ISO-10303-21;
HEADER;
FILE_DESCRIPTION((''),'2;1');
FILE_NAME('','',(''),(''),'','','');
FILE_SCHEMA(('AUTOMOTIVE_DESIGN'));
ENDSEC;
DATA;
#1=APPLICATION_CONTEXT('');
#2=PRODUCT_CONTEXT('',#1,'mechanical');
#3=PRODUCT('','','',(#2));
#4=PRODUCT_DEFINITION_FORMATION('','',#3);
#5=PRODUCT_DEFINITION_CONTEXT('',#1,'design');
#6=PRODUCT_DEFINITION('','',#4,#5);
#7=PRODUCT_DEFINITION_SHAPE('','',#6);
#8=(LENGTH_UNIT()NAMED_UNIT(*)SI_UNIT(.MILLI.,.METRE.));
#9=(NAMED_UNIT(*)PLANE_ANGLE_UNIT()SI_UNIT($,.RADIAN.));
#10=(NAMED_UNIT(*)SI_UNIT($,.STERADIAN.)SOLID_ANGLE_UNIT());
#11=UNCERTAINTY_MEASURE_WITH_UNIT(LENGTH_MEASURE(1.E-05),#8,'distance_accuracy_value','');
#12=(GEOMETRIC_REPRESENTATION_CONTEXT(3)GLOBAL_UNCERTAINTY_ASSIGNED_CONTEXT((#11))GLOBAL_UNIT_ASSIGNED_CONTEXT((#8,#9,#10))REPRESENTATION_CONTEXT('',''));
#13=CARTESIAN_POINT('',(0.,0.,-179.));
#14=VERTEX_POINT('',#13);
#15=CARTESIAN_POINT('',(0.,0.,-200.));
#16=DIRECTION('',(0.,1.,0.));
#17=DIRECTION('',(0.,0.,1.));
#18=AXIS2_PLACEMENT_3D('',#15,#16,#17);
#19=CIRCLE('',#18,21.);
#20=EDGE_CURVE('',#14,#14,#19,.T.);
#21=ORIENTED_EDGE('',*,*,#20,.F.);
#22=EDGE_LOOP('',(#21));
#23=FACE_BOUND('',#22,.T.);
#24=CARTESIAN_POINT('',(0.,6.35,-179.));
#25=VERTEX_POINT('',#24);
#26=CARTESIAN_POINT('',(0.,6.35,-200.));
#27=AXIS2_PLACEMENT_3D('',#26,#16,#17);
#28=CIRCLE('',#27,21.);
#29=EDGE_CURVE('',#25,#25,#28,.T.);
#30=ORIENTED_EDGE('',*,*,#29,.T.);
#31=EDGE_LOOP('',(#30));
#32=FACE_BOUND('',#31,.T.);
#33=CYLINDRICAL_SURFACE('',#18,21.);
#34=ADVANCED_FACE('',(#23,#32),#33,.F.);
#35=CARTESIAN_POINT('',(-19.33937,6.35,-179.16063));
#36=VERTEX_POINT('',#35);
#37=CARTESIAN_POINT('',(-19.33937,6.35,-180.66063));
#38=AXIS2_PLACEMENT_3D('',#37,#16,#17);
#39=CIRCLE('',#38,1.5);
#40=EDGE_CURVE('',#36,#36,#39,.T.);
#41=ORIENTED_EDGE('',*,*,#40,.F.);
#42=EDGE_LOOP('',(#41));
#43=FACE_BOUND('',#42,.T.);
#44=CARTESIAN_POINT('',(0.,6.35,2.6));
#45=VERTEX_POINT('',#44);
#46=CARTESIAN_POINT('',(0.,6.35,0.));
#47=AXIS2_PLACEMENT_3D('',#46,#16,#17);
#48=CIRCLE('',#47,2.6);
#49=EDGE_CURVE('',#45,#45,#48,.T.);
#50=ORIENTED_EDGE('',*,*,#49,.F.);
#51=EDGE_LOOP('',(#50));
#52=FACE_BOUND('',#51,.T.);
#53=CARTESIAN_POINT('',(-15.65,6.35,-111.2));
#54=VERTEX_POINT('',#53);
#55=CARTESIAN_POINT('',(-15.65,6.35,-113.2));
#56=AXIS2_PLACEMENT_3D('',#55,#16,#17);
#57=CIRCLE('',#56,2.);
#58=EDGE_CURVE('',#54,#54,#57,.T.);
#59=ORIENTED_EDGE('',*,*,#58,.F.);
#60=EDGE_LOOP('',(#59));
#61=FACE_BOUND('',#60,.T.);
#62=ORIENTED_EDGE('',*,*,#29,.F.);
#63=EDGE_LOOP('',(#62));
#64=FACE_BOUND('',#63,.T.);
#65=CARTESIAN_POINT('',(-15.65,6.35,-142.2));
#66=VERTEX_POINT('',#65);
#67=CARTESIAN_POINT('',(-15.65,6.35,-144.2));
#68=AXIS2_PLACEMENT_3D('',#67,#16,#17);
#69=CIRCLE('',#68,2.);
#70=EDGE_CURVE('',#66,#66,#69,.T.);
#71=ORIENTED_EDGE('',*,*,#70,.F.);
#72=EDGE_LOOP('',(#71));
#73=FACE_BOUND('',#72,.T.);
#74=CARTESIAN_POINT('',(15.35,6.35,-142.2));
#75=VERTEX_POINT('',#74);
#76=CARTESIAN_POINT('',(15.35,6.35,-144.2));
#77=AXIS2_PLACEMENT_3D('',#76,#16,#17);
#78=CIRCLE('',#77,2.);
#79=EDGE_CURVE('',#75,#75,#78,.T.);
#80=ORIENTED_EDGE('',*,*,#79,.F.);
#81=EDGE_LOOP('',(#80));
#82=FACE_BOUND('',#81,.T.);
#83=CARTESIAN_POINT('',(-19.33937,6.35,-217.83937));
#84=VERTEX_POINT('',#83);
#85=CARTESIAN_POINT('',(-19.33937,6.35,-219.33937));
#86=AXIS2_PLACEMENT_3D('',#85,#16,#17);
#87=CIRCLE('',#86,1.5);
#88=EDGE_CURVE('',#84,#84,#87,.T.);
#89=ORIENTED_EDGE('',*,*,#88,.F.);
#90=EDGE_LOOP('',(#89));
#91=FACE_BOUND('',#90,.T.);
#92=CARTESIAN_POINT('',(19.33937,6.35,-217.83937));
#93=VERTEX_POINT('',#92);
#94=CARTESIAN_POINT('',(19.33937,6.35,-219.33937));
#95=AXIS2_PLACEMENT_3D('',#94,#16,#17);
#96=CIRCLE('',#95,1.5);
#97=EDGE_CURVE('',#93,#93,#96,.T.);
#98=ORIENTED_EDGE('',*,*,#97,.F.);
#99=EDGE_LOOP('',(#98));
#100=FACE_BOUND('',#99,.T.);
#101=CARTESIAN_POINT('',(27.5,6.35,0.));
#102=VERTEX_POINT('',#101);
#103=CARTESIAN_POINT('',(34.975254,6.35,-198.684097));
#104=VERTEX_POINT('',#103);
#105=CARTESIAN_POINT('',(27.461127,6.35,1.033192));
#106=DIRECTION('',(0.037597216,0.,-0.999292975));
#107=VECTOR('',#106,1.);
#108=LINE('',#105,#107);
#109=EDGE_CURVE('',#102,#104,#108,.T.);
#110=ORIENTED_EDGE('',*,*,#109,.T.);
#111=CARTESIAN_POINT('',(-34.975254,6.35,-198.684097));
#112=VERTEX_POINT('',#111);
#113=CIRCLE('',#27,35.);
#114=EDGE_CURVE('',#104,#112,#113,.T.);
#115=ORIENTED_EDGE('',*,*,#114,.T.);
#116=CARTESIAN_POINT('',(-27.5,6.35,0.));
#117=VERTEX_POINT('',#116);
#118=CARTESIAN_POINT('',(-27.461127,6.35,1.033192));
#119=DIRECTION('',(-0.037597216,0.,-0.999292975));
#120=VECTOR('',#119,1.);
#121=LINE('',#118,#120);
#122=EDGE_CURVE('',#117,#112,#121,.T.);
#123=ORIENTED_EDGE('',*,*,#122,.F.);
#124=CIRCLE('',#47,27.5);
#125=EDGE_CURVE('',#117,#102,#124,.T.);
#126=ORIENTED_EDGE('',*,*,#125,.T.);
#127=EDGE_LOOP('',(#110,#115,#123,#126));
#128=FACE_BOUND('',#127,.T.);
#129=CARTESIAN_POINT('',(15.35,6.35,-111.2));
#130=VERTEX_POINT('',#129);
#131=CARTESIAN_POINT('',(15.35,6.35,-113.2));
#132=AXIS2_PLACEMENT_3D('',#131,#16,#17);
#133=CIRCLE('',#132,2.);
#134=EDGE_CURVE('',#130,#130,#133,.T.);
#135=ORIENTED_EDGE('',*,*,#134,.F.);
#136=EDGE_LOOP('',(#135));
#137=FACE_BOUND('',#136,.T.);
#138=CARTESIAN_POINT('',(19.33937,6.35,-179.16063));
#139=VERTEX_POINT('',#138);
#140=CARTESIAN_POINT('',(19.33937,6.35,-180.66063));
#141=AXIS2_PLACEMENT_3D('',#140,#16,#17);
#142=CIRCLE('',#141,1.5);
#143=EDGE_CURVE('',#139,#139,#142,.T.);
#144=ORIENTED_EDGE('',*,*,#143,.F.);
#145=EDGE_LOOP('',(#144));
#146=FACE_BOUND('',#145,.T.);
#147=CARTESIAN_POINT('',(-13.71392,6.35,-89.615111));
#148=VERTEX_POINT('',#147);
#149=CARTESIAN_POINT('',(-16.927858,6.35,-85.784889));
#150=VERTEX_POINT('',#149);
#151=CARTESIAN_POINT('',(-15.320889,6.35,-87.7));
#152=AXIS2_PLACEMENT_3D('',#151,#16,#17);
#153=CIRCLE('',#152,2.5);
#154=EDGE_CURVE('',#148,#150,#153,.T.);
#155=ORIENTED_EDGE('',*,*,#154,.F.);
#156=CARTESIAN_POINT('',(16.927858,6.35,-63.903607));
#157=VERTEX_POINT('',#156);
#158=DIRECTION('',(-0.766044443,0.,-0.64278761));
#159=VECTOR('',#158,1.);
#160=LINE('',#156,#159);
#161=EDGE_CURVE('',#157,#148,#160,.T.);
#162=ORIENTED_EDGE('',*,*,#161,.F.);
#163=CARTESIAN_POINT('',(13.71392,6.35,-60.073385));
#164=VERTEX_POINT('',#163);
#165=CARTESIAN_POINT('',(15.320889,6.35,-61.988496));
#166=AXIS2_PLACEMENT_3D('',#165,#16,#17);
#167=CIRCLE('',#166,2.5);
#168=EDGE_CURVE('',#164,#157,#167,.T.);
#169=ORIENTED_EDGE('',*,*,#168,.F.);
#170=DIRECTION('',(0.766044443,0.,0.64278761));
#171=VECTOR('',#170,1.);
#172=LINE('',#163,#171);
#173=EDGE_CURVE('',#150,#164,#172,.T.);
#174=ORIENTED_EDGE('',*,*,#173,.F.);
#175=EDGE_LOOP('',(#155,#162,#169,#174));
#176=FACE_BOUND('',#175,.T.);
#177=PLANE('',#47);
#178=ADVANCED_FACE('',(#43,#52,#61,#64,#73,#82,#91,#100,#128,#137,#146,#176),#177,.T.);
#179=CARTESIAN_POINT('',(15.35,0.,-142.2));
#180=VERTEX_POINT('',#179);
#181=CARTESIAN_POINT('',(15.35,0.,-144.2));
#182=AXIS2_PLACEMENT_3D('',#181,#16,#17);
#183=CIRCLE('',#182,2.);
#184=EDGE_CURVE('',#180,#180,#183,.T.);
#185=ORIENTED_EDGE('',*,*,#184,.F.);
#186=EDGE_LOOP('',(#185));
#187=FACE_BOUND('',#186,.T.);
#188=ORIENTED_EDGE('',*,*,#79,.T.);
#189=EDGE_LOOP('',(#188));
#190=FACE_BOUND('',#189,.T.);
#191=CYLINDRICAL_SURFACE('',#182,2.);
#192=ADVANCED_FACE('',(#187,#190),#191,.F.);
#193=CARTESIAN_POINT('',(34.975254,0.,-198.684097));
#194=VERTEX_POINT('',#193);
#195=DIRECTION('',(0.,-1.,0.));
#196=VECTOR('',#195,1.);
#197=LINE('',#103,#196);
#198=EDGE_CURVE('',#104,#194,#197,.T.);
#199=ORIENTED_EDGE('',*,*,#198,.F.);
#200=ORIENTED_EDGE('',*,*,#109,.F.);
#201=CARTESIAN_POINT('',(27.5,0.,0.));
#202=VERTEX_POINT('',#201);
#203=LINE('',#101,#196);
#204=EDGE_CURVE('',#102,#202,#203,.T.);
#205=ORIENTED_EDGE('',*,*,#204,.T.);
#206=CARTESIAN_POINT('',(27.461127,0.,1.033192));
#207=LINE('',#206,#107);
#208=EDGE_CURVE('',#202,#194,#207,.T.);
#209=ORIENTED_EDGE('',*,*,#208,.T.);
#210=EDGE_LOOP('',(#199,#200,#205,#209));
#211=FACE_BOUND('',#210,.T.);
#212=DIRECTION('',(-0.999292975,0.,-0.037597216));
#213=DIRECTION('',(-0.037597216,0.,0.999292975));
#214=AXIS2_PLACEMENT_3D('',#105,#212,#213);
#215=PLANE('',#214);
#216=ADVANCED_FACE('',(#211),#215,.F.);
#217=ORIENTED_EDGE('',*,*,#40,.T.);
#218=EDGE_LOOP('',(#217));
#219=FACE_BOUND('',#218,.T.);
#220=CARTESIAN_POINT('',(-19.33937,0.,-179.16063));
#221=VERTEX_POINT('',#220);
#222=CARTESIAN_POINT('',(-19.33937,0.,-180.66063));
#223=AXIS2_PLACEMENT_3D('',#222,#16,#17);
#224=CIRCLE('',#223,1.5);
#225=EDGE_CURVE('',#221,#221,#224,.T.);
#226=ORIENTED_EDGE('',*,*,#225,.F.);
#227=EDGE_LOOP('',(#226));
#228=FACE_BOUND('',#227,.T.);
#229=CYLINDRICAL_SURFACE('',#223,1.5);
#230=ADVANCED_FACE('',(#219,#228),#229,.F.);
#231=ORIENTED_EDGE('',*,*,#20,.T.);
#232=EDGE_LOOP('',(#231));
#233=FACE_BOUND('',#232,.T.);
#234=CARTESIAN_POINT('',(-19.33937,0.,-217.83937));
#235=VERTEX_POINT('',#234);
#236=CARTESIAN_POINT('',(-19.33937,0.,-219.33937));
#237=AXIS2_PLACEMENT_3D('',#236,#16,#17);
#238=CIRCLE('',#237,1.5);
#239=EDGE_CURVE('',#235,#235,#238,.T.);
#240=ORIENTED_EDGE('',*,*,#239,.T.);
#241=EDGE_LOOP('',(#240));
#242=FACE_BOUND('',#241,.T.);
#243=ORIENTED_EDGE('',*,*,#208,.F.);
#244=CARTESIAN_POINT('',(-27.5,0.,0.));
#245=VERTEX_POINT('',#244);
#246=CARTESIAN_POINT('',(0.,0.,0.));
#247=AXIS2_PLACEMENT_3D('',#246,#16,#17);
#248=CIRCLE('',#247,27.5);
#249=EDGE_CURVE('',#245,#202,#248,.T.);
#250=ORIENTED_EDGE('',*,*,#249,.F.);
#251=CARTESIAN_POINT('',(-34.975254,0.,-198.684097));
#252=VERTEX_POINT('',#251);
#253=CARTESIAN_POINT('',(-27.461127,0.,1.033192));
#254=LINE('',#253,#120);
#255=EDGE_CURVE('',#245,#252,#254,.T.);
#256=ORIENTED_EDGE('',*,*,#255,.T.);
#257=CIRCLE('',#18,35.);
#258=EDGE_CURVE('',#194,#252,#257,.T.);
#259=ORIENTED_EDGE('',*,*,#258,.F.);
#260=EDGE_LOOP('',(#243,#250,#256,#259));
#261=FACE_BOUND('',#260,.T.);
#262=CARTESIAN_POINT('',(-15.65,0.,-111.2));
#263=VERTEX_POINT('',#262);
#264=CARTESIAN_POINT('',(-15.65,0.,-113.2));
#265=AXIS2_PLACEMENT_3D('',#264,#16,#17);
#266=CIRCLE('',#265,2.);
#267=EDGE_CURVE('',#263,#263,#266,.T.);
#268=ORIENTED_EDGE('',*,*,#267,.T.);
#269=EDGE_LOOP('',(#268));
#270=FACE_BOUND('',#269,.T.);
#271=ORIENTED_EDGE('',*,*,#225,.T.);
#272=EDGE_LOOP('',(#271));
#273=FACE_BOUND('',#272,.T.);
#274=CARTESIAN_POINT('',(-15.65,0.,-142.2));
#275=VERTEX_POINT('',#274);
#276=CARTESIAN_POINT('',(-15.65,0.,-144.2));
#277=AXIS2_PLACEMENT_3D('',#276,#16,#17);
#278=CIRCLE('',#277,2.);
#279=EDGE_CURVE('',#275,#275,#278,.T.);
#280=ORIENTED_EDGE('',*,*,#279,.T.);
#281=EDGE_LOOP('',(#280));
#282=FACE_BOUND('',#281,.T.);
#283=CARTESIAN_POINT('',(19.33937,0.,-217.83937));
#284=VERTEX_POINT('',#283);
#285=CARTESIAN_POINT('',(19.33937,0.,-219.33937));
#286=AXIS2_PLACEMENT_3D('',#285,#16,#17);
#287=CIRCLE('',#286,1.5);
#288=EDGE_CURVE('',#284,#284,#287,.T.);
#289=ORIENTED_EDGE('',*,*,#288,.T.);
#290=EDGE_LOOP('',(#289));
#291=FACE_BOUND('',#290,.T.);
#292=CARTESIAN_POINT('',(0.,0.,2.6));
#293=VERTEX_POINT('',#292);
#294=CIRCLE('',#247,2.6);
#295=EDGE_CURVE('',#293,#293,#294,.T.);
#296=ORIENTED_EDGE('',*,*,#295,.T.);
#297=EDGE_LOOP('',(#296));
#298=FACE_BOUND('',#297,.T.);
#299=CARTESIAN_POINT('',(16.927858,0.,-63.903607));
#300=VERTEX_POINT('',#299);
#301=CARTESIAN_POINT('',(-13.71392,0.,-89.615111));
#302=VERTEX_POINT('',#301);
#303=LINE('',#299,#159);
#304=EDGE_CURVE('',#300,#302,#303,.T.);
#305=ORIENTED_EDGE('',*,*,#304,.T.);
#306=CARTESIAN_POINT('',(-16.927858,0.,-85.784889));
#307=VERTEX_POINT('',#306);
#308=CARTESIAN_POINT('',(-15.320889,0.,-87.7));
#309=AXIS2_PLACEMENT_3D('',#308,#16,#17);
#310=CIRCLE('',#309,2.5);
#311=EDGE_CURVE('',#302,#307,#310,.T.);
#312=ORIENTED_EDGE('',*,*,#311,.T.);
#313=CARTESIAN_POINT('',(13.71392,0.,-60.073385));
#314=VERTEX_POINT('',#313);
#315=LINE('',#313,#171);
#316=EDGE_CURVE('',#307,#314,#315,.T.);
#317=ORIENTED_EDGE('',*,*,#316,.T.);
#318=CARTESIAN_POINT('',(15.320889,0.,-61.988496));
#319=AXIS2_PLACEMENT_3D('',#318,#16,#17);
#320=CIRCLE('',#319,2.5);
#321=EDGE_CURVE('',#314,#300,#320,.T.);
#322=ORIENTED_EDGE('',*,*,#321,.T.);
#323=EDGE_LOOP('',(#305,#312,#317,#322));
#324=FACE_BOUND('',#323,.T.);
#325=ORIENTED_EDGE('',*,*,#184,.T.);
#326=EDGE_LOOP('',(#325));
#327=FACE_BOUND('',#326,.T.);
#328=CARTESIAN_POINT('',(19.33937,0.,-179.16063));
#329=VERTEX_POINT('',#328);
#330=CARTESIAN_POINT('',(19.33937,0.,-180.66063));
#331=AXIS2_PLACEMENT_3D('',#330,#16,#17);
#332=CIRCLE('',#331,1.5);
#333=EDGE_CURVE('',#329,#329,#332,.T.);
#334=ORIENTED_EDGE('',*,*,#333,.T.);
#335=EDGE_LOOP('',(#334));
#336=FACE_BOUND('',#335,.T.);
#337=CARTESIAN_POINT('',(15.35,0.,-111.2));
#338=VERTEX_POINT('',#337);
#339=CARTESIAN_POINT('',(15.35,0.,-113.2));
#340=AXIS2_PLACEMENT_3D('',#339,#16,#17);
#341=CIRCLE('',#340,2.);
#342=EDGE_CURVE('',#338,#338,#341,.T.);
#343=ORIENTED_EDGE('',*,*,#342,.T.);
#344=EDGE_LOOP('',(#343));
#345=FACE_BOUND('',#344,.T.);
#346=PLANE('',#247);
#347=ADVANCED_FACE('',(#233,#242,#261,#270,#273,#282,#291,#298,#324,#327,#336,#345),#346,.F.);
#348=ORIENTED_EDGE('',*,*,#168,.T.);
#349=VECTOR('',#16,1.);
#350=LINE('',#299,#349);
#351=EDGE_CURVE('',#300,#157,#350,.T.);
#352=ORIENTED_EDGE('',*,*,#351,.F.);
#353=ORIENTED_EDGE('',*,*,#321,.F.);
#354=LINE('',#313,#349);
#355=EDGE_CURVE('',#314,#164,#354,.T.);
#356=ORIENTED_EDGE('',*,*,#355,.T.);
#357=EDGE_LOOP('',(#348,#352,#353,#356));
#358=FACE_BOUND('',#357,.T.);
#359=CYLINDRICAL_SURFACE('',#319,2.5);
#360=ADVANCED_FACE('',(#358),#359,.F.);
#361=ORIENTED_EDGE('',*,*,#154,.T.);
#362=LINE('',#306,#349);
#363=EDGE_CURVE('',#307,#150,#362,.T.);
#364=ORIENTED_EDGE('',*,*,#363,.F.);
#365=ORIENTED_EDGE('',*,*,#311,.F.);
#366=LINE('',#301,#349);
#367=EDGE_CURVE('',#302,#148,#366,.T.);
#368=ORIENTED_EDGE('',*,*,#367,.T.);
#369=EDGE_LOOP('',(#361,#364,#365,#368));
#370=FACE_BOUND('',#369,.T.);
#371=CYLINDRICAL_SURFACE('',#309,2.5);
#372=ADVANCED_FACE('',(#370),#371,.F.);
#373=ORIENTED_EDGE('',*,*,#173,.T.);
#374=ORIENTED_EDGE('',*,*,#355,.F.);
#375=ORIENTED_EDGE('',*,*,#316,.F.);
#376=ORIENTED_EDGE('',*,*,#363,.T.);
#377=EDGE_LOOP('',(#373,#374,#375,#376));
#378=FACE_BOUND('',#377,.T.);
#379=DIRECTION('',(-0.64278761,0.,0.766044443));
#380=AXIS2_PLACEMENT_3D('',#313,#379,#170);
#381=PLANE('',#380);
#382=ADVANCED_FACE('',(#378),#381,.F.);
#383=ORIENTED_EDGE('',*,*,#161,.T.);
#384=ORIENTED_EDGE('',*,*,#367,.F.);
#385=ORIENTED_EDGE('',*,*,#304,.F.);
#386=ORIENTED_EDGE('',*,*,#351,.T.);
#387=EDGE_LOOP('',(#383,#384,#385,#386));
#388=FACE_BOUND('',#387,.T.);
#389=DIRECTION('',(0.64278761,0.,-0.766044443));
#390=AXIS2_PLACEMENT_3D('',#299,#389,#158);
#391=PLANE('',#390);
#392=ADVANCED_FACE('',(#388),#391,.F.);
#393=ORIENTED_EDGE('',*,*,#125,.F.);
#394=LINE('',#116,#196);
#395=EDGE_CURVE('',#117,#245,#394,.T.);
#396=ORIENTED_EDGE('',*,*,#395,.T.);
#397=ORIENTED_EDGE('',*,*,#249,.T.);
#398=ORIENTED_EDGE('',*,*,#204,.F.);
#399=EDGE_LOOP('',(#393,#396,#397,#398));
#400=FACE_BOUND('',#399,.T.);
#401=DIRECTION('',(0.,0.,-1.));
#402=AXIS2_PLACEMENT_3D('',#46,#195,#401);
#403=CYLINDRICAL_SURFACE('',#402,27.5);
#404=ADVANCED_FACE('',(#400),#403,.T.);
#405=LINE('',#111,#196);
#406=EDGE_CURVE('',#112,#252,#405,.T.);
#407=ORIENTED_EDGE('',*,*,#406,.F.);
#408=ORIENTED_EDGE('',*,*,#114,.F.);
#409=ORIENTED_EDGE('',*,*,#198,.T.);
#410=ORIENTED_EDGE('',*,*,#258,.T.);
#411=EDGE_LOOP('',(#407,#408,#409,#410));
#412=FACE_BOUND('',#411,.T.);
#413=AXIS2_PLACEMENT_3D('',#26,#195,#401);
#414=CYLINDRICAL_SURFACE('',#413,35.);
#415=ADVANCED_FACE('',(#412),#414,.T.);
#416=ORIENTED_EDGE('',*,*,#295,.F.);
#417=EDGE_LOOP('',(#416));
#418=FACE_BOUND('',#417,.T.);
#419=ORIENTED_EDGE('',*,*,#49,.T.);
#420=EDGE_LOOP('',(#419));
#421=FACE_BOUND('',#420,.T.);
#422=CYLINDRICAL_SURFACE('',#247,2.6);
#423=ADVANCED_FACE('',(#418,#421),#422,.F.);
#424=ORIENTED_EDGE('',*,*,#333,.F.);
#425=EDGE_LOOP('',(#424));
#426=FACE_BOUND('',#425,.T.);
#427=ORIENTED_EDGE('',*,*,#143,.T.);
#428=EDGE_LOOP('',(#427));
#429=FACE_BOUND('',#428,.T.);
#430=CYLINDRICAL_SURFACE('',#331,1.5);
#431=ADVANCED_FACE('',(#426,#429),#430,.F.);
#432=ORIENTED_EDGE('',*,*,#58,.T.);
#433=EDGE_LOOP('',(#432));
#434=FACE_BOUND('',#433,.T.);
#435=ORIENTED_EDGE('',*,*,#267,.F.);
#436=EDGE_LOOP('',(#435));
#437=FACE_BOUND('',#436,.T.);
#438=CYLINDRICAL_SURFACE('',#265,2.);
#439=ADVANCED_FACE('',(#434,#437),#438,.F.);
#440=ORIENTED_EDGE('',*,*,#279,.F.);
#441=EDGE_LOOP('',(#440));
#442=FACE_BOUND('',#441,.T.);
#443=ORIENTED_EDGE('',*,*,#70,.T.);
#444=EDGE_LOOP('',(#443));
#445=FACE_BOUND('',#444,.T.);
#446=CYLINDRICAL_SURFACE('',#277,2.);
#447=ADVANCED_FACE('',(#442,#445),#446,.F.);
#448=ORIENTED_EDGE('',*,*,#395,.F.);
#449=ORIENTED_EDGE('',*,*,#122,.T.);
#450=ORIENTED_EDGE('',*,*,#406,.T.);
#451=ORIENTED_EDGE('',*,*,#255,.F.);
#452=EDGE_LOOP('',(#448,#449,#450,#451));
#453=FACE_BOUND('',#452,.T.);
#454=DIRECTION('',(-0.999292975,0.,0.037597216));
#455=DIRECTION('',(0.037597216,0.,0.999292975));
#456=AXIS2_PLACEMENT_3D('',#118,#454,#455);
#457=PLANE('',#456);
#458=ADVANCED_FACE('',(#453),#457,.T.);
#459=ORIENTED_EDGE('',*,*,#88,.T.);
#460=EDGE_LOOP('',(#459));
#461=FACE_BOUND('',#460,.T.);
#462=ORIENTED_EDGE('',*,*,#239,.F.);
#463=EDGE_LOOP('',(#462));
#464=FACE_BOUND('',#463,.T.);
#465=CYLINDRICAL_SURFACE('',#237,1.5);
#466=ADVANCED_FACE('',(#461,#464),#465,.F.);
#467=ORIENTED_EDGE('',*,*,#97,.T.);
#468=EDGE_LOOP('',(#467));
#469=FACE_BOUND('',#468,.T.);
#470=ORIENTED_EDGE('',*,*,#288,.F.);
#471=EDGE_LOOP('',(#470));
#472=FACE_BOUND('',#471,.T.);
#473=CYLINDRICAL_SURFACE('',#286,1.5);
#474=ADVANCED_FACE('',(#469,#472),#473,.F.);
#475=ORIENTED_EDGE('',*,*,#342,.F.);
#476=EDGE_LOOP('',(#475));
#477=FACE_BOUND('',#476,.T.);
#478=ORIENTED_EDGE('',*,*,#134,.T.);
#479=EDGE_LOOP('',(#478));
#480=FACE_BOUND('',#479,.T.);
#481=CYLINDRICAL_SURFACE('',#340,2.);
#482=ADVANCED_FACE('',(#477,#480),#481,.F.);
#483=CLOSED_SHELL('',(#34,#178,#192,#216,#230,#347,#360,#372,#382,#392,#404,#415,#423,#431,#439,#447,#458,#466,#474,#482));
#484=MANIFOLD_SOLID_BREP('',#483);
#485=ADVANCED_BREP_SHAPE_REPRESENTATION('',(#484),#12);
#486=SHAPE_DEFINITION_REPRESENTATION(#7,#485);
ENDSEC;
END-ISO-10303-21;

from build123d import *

# Parameters (mm, degrees)
BOSS_EXTRUDE1_DEPTH     = 6.35
SKETCH2_R               = 2.6
CUT_EXTRUDE1_DEPTH      = 238.676928834
ESQUISSE3_R             = 21
ENL_V_MAT_EXTRU_2_DEPTH = 238.676928834
ESQUISSE7_R             = 1.5
ENL_V_MAT_EXTRU_3_DEPTH = 238.676928834
CUT_EXTRUDE3_DEPTH      = 238.676928834
SKETCH5_R               = 2
CUT_EXTRUDE4_DEPTH      = 238.676928834
SKETCH6_R               = 2
CUT_EXTRUDE5_DEPTH      = 238.676928834


with BuildPart() as part:
    # Sketch1 → Boss-Extrude1 (new body)
    with BuildSketch(Plane(origin=(0, 0, 0), x_dir=(1, 0, 0), z_dir=(0, 1, 0))):
        with BuildLine():
            Line((27.5, 0), (34.975254116, 198.684097441))
            ThreePointArc((34.975254116, 198.684097441), (0, 235), (-34.975254116, 198.684097441))
            Line((-34.975254116, 198.684097441), (-27.5, 0))
            ThreePointArc((-27.5, 0), (0, -27.5), (27.5, 0))
        make_face()
    extrude(amount=BOSS_EXTRUDE1_DEPTH)

    # Sketch2 → Cut-Extrude1 (cut, through all)
    with BuildSketch(Plane(origin=(0, 6.35, 0), x_dir=(1, 0, 0), z_dir=(0, 1, 0))):
        with Locations(Location((0, 0, 0), (0, 0, 270))):
            Circle(SKETCH2_R)
    extrude(amount=-CUT_EXTRUDE1_DEPTH, mode=Mode.SUBTRACT)

    # Esquisse3 → Enlèv. mat.-Extru.2 (cut, through all)
    with BuildSketch(Plane(origin=(0, 6.35, 0), x_dir=(1, 0, 0), z_dir=(0, 1, 0))):
        with Locations(Location((0, 200, 0), (0, 0, 270))):
            Circle(ESQUISSE3_R)
    extrude(amount=-ENL_V_MAT_EXTRU_2_DEPTH, mode=Mode.SUBTRACT)

    # Esquisse7 → Enlèv. mat.-Extru.3 (cut, through all)
    with BuildSketch(Plane(origin=(0, 6.35, 0), x_dir=(1, 0, 0), z_dir=(0, 1, 0))):
        with Locations(Location((-19.339370465, 219.339370465, 0), (0, 0, 270))):
            Circle(ESQUISSE7_R)
        with Locations(Location((19.339370465, 219.339370465, 0), (0, 0, 270))):
            Circle(ESQUISSE7_R)
        with Locations(Location((19.339370465, 180.660629535, 0), (0, 0, 270))):
            Circle(ESQUISSE7_R)
        with Locations(Location((-19.339370465, 180.660629535, 0), (0, 0, 270))):
            Circle(ESQUISSE7_R)
    extrude(amount=-ENL_V_MAT_EXTRU_3_DEPTH, mode=Mode.SUBTRACT)

    # Sketch4 → Cut-Extrude3 (cut, through all)
    with BuildSketch(Plane(origin=(0, 6.35, 0), x_dir=(1, 0, 0), z_dir=(0, 1, 0))):
        with BuildLine():
            Line((13.713919838, 60.073384505), (-16.927857887, 85.784888892))
            ThreePointArc((-16.927857887, 85.784888892), (-17.23599997, 89.306969024), (-13.713919838, 89.615111108))
            Line((-13.713919838, 89.615111108), (16.927857887, 63.90360672))
            ThreePointArc((16.927857887, 63.90360672), (17.23599997, 60.381526588), (13.713919838, 60.073384505))
        make_face()
    extrude(amount=-CUT_EXTRUDE3_DEPTH, mode=Mode.SUBTRACT)

    # Sketch5 → Cut-Extrude4 (cut, through all)
    with BuildSketch(Plane.XZ):
        with Locations(Location((-15.65, -113.2, 0), (0, 0, 90))):
            Circle(SKETCH5_R)
        with Locations(Location((15.35, -113.2, 0), (0, 0, 90))):
            Circle(SKETCH5_R)
        with Locations(Location((15.35, -144.2, 0), (0, 0, 90))):
            Circle(SKETCH5_R)
    extrude(amount=-CUT_EXTRUDE4_DEPTH, mode=Mode.SUBTRACT)

    # Sketch6 → Cut-Extrude5 (cut, through all)
    with BuildSketch(Plane(origin=(0, 6.35, 0), x_dir=(1, 0, 0), z_dir=(0, 1, 0))):
        with Locations(Location((-15.65, 144.2, 0), (0, 0, 270))):
            Circle(SKETCH6_R)
        with Locations(Location((-15.65, 113.2, 0), (0, 0, 270))):
            Circle(SKETCH6_R)
        with Locations(Location((15.35, 113.2, 0), (0, 0, 270))):
            Circle(SKETCH6_R)
        with Locations(Location((15.35, 144.2, 0), (0, 0, 270))):
            Circle(SKETCH6_R)
    extrude(amount=-CUT_EXTRUDE5_DEPTH, mode=Mode.SUBTRACT)


solid = part.part
